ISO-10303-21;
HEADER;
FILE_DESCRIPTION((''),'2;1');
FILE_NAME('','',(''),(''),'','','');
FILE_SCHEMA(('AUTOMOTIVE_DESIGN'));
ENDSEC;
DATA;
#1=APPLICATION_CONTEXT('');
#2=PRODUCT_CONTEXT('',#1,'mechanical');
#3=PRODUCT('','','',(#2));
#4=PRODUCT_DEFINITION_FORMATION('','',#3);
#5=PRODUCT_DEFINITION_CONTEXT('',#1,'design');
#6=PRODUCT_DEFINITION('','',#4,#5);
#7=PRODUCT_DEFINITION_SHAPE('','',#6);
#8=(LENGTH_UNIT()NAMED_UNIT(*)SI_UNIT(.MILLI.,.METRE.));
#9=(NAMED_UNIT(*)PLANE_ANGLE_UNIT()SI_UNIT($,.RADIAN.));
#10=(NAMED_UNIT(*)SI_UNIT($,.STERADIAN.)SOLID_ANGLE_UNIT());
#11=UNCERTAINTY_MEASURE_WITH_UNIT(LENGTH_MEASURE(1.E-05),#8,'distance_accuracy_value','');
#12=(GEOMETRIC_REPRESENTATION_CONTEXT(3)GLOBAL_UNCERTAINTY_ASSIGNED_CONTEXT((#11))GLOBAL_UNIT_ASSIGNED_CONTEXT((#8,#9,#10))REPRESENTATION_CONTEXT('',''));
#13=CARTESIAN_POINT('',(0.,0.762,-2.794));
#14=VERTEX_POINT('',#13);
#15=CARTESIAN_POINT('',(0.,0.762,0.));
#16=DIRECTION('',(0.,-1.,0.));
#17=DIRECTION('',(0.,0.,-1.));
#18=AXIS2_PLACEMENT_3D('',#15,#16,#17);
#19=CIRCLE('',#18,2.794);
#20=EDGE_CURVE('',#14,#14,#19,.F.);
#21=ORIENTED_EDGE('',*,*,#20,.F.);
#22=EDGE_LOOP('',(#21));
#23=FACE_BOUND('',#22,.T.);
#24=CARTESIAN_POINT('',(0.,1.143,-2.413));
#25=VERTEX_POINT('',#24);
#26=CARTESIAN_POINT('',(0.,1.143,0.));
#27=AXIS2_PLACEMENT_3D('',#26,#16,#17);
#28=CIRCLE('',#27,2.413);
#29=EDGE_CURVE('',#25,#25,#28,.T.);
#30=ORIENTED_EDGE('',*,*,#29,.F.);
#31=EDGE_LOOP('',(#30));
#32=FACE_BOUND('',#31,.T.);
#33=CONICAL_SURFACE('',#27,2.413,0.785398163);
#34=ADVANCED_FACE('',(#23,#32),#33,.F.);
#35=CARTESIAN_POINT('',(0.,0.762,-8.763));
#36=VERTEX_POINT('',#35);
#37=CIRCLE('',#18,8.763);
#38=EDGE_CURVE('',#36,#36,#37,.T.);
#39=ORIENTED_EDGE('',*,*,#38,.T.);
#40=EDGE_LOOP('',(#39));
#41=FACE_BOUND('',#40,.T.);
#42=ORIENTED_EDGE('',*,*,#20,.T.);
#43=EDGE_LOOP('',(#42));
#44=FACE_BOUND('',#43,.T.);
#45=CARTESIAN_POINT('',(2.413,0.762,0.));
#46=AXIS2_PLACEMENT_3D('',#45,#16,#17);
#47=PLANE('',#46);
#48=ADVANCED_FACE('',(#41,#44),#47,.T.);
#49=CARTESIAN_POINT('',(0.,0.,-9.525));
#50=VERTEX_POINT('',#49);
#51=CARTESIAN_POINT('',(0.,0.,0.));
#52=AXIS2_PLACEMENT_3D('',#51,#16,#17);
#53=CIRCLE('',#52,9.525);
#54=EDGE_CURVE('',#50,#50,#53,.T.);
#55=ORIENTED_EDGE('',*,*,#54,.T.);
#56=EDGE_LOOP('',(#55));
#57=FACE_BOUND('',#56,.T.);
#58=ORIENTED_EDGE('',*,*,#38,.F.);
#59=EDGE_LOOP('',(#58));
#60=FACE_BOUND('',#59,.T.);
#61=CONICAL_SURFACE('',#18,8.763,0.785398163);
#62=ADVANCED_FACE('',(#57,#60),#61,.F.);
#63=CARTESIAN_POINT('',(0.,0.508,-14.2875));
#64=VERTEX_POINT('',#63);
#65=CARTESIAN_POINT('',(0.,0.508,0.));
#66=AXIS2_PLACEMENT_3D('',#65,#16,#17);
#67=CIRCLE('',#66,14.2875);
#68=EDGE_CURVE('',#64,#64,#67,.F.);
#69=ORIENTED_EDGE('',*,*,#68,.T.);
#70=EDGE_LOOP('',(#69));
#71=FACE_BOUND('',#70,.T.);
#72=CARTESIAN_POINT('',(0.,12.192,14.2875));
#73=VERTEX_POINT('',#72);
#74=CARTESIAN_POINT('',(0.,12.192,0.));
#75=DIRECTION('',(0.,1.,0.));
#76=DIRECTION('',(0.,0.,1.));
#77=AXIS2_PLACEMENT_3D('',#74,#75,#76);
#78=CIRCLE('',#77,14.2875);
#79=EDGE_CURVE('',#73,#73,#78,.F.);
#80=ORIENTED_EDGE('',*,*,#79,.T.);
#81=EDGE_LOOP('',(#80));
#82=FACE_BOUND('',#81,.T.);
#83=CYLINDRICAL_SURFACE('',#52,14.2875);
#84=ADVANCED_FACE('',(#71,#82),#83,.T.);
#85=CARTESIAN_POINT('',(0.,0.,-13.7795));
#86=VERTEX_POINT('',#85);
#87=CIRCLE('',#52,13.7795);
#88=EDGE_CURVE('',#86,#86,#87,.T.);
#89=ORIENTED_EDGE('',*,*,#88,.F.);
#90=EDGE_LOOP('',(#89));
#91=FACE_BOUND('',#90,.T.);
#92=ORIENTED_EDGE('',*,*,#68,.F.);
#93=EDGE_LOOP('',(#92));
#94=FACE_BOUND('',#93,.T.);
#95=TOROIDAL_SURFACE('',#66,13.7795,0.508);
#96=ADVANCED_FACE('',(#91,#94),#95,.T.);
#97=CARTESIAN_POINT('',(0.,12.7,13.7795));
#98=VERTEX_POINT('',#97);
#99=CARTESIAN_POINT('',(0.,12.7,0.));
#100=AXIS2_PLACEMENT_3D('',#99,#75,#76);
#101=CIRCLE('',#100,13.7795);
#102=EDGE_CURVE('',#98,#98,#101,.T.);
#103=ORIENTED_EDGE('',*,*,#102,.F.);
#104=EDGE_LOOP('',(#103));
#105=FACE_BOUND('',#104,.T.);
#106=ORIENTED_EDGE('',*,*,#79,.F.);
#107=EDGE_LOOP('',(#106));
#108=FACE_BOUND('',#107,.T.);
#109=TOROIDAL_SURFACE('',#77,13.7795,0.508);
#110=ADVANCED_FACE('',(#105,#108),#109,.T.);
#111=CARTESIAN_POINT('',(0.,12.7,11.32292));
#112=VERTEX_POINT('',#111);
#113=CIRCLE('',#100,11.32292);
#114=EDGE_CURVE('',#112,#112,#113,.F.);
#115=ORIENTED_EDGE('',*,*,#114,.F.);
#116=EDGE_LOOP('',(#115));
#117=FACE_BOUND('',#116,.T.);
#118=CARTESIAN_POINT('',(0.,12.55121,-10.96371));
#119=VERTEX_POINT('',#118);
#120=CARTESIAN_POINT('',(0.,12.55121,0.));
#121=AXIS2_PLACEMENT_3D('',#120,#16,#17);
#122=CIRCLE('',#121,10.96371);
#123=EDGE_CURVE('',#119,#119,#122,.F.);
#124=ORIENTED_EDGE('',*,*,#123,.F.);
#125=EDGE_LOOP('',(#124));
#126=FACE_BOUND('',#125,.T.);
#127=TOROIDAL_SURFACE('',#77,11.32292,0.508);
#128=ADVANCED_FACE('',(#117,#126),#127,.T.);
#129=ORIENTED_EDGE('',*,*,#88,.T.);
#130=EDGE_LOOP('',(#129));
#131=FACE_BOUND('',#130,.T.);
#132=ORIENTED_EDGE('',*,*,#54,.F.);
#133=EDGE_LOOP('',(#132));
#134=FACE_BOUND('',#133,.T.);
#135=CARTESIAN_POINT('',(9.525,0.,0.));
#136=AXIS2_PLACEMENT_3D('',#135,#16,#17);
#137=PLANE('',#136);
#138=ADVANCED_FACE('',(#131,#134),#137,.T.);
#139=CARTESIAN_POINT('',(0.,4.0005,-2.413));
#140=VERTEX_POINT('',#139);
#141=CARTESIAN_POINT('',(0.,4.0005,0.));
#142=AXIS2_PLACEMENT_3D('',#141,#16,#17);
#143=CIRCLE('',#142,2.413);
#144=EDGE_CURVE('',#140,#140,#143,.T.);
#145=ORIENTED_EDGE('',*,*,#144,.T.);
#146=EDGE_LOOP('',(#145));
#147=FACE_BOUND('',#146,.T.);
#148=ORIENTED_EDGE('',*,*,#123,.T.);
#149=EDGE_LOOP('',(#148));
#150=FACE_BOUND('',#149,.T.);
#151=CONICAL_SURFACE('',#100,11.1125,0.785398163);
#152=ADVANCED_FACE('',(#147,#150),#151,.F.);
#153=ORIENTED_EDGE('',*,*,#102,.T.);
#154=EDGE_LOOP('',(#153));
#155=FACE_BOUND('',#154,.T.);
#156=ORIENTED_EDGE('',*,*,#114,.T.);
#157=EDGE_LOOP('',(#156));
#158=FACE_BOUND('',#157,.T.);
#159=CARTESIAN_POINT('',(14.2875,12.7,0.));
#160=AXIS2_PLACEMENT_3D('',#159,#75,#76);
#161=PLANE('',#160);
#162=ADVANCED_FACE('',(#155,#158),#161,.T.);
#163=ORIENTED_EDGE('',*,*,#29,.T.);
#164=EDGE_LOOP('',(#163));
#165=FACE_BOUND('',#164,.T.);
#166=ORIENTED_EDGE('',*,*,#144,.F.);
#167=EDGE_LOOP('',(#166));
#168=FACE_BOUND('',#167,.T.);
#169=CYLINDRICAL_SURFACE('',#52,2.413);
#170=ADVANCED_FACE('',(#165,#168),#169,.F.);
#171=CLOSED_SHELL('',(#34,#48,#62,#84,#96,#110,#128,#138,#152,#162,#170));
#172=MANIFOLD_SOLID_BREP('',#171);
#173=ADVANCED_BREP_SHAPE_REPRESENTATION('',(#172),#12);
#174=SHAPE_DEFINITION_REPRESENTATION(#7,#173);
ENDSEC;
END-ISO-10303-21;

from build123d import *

# Parameters (mm, degrees)
CHAMFER1_SIZE = 0.381
FILLET1_R     = 0.508


with BuildPart() as part:
    # Sketch1 → Revolve1 (revolve)
    with BuildSketch(Plane.XY, mode=Mode.PRIVATE) as revolve1_sk:
        Polygon((2.413, 0.762), (8.763, 0.762), (9.525, 0), (14.2875, 0), (14.2875, 12.7), (11.1125, 12.7), (2.413, 4.0005), align=None)
    revolve(revolve1_sk.sketch.rotate(Axis((0, 0, 0), (0, 1, 0)), 90), axis=Axis((0, 0, 0), (0, 1, 0)))  # turned: the seam where the file's is

    # Chamfer1
    chamfer1_edges = [part.edges().sort_by_distance(p)[0] for p in [
        (0, 0.762, 2.413),
    ]]
    chamfer(chamfer1_edges, length=CHAMFER1_SIZE)

    # Fillet1
    fillet1_edges = [part.edges().sort_by_distance(p)[0] for p in [
        (0, 0, 14.2875),
        (0, 12.7, 14.2875),
        (0, 12.7, 11.1125),
    ]]
    fillet(fillet1_edges, radius=FILLET1_R)


solid = part.part
